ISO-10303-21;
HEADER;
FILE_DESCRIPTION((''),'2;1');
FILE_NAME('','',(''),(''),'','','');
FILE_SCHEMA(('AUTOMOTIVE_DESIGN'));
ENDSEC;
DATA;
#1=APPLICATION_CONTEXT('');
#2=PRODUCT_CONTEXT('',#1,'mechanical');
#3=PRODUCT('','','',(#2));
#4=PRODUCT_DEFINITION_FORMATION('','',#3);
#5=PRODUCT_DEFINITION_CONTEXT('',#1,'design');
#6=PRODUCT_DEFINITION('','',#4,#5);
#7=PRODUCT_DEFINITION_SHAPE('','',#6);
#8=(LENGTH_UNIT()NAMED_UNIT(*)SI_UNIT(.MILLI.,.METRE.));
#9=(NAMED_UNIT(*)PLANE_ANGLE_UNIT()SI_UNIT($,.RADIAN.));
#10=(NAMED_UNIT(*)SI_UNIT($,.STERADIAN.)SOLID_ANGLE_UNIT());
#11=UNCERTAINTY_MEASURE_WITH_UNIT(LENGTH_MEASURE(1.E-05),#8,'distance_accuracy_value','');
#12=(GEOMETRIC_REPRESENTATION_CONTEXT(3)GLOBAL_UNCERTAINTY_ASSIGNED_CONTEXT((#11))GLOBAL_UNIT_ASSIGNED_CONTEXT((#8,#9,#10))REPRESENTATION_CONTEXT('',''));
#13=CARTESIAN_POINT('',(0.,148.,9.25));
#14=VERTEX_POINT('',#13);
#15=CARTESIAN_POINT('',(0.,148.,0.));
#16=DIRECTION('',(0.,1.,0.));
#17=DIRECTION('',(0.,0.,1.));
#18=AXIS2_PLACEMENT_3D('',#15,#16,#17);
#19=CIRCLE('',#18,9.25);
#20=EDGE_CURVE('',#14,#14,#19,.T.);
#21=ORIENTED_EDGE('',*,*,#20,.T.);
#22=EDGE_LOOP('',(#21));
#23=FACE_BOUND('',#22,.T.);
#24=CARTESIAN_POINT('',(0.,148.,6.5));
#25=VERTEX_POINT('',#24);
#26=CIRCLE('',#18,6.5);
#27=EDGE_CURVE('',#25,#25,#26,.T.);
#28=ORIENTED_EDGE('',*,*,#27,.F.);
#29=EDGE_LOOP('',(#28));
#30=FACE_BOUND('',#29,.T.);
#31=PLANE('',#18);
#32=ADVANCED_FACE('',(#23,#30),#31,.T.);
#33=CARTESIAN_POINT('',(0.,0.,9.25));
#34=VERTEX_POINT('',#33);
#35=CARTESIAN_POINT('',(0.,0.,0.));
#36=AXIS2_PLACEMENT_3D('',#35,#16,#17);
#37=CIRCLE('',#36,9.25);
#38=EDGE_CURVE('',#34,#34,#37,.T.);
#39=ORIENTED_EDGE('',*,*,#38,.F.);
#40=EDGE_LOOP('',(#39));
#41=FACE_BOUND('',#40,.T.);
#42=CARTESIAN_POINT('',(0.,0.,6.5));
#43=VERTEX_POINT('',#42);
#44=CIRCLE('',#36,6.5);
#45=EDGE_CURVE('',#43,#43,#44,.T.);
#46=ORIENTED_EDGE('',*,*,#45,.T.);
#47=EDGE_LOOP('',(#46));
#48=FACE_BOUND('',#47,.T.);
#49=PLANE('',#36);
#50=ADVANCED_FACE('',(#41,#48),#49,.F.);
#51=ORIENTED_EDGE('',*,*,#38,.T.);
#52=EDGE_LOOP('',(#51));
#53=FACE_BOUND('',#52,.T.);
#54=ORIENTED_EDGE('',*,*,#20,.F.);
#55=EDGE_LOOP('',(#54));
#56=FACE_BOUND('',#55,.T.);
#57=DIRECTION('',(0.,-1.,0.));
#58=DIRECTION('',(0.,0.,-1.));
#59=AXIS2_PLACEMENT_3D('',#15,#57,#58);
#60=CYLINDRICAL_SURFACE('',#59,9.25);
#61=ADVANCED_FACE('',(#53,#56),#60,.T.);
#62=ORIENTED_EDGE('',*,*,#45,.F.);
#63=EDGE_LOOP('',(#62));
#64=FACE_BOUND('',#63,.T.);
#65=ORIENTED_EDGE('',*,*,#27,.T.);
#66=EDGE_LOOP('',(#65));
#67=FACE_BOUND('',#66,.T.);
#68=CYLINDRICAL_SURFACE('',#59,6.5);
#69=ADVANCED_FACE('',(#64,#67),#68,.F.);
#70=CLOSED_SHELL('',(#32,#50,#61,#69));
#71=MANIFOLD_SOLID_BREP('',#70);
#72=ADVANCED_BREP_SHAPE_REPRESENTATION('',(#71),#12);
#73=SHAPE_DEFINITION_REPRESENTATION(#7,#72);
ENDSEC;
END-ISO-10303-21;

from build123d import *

# Parameters (mm, degrees)
SKETCH1_R           = 9.25
SKETCH1_R_2         = 6.5
BOSS_EXTRUDE1_DEPTH = 148


with BuildPart() as part:
    # Sketch1 → Boss-Extrude1 (new body)
    with BuildSketch(Plane(origin=(0, 0, 0), x_dir=(1, 0, 0), z_dir=(0, 1, 0))):
        with Locations(Location((0, 0, 0), (0, 0, 270))):
            Circle(SKETCH1_R)
        with Locations(Location((0, 0, 0), (0, 0, 270))):
            Circle(SKETCH1_R_2, mode=Mode.SUBTRACT)
    extrude(amount=BOSS_EXTRUDE1_DEPTH)


solid = part.part
